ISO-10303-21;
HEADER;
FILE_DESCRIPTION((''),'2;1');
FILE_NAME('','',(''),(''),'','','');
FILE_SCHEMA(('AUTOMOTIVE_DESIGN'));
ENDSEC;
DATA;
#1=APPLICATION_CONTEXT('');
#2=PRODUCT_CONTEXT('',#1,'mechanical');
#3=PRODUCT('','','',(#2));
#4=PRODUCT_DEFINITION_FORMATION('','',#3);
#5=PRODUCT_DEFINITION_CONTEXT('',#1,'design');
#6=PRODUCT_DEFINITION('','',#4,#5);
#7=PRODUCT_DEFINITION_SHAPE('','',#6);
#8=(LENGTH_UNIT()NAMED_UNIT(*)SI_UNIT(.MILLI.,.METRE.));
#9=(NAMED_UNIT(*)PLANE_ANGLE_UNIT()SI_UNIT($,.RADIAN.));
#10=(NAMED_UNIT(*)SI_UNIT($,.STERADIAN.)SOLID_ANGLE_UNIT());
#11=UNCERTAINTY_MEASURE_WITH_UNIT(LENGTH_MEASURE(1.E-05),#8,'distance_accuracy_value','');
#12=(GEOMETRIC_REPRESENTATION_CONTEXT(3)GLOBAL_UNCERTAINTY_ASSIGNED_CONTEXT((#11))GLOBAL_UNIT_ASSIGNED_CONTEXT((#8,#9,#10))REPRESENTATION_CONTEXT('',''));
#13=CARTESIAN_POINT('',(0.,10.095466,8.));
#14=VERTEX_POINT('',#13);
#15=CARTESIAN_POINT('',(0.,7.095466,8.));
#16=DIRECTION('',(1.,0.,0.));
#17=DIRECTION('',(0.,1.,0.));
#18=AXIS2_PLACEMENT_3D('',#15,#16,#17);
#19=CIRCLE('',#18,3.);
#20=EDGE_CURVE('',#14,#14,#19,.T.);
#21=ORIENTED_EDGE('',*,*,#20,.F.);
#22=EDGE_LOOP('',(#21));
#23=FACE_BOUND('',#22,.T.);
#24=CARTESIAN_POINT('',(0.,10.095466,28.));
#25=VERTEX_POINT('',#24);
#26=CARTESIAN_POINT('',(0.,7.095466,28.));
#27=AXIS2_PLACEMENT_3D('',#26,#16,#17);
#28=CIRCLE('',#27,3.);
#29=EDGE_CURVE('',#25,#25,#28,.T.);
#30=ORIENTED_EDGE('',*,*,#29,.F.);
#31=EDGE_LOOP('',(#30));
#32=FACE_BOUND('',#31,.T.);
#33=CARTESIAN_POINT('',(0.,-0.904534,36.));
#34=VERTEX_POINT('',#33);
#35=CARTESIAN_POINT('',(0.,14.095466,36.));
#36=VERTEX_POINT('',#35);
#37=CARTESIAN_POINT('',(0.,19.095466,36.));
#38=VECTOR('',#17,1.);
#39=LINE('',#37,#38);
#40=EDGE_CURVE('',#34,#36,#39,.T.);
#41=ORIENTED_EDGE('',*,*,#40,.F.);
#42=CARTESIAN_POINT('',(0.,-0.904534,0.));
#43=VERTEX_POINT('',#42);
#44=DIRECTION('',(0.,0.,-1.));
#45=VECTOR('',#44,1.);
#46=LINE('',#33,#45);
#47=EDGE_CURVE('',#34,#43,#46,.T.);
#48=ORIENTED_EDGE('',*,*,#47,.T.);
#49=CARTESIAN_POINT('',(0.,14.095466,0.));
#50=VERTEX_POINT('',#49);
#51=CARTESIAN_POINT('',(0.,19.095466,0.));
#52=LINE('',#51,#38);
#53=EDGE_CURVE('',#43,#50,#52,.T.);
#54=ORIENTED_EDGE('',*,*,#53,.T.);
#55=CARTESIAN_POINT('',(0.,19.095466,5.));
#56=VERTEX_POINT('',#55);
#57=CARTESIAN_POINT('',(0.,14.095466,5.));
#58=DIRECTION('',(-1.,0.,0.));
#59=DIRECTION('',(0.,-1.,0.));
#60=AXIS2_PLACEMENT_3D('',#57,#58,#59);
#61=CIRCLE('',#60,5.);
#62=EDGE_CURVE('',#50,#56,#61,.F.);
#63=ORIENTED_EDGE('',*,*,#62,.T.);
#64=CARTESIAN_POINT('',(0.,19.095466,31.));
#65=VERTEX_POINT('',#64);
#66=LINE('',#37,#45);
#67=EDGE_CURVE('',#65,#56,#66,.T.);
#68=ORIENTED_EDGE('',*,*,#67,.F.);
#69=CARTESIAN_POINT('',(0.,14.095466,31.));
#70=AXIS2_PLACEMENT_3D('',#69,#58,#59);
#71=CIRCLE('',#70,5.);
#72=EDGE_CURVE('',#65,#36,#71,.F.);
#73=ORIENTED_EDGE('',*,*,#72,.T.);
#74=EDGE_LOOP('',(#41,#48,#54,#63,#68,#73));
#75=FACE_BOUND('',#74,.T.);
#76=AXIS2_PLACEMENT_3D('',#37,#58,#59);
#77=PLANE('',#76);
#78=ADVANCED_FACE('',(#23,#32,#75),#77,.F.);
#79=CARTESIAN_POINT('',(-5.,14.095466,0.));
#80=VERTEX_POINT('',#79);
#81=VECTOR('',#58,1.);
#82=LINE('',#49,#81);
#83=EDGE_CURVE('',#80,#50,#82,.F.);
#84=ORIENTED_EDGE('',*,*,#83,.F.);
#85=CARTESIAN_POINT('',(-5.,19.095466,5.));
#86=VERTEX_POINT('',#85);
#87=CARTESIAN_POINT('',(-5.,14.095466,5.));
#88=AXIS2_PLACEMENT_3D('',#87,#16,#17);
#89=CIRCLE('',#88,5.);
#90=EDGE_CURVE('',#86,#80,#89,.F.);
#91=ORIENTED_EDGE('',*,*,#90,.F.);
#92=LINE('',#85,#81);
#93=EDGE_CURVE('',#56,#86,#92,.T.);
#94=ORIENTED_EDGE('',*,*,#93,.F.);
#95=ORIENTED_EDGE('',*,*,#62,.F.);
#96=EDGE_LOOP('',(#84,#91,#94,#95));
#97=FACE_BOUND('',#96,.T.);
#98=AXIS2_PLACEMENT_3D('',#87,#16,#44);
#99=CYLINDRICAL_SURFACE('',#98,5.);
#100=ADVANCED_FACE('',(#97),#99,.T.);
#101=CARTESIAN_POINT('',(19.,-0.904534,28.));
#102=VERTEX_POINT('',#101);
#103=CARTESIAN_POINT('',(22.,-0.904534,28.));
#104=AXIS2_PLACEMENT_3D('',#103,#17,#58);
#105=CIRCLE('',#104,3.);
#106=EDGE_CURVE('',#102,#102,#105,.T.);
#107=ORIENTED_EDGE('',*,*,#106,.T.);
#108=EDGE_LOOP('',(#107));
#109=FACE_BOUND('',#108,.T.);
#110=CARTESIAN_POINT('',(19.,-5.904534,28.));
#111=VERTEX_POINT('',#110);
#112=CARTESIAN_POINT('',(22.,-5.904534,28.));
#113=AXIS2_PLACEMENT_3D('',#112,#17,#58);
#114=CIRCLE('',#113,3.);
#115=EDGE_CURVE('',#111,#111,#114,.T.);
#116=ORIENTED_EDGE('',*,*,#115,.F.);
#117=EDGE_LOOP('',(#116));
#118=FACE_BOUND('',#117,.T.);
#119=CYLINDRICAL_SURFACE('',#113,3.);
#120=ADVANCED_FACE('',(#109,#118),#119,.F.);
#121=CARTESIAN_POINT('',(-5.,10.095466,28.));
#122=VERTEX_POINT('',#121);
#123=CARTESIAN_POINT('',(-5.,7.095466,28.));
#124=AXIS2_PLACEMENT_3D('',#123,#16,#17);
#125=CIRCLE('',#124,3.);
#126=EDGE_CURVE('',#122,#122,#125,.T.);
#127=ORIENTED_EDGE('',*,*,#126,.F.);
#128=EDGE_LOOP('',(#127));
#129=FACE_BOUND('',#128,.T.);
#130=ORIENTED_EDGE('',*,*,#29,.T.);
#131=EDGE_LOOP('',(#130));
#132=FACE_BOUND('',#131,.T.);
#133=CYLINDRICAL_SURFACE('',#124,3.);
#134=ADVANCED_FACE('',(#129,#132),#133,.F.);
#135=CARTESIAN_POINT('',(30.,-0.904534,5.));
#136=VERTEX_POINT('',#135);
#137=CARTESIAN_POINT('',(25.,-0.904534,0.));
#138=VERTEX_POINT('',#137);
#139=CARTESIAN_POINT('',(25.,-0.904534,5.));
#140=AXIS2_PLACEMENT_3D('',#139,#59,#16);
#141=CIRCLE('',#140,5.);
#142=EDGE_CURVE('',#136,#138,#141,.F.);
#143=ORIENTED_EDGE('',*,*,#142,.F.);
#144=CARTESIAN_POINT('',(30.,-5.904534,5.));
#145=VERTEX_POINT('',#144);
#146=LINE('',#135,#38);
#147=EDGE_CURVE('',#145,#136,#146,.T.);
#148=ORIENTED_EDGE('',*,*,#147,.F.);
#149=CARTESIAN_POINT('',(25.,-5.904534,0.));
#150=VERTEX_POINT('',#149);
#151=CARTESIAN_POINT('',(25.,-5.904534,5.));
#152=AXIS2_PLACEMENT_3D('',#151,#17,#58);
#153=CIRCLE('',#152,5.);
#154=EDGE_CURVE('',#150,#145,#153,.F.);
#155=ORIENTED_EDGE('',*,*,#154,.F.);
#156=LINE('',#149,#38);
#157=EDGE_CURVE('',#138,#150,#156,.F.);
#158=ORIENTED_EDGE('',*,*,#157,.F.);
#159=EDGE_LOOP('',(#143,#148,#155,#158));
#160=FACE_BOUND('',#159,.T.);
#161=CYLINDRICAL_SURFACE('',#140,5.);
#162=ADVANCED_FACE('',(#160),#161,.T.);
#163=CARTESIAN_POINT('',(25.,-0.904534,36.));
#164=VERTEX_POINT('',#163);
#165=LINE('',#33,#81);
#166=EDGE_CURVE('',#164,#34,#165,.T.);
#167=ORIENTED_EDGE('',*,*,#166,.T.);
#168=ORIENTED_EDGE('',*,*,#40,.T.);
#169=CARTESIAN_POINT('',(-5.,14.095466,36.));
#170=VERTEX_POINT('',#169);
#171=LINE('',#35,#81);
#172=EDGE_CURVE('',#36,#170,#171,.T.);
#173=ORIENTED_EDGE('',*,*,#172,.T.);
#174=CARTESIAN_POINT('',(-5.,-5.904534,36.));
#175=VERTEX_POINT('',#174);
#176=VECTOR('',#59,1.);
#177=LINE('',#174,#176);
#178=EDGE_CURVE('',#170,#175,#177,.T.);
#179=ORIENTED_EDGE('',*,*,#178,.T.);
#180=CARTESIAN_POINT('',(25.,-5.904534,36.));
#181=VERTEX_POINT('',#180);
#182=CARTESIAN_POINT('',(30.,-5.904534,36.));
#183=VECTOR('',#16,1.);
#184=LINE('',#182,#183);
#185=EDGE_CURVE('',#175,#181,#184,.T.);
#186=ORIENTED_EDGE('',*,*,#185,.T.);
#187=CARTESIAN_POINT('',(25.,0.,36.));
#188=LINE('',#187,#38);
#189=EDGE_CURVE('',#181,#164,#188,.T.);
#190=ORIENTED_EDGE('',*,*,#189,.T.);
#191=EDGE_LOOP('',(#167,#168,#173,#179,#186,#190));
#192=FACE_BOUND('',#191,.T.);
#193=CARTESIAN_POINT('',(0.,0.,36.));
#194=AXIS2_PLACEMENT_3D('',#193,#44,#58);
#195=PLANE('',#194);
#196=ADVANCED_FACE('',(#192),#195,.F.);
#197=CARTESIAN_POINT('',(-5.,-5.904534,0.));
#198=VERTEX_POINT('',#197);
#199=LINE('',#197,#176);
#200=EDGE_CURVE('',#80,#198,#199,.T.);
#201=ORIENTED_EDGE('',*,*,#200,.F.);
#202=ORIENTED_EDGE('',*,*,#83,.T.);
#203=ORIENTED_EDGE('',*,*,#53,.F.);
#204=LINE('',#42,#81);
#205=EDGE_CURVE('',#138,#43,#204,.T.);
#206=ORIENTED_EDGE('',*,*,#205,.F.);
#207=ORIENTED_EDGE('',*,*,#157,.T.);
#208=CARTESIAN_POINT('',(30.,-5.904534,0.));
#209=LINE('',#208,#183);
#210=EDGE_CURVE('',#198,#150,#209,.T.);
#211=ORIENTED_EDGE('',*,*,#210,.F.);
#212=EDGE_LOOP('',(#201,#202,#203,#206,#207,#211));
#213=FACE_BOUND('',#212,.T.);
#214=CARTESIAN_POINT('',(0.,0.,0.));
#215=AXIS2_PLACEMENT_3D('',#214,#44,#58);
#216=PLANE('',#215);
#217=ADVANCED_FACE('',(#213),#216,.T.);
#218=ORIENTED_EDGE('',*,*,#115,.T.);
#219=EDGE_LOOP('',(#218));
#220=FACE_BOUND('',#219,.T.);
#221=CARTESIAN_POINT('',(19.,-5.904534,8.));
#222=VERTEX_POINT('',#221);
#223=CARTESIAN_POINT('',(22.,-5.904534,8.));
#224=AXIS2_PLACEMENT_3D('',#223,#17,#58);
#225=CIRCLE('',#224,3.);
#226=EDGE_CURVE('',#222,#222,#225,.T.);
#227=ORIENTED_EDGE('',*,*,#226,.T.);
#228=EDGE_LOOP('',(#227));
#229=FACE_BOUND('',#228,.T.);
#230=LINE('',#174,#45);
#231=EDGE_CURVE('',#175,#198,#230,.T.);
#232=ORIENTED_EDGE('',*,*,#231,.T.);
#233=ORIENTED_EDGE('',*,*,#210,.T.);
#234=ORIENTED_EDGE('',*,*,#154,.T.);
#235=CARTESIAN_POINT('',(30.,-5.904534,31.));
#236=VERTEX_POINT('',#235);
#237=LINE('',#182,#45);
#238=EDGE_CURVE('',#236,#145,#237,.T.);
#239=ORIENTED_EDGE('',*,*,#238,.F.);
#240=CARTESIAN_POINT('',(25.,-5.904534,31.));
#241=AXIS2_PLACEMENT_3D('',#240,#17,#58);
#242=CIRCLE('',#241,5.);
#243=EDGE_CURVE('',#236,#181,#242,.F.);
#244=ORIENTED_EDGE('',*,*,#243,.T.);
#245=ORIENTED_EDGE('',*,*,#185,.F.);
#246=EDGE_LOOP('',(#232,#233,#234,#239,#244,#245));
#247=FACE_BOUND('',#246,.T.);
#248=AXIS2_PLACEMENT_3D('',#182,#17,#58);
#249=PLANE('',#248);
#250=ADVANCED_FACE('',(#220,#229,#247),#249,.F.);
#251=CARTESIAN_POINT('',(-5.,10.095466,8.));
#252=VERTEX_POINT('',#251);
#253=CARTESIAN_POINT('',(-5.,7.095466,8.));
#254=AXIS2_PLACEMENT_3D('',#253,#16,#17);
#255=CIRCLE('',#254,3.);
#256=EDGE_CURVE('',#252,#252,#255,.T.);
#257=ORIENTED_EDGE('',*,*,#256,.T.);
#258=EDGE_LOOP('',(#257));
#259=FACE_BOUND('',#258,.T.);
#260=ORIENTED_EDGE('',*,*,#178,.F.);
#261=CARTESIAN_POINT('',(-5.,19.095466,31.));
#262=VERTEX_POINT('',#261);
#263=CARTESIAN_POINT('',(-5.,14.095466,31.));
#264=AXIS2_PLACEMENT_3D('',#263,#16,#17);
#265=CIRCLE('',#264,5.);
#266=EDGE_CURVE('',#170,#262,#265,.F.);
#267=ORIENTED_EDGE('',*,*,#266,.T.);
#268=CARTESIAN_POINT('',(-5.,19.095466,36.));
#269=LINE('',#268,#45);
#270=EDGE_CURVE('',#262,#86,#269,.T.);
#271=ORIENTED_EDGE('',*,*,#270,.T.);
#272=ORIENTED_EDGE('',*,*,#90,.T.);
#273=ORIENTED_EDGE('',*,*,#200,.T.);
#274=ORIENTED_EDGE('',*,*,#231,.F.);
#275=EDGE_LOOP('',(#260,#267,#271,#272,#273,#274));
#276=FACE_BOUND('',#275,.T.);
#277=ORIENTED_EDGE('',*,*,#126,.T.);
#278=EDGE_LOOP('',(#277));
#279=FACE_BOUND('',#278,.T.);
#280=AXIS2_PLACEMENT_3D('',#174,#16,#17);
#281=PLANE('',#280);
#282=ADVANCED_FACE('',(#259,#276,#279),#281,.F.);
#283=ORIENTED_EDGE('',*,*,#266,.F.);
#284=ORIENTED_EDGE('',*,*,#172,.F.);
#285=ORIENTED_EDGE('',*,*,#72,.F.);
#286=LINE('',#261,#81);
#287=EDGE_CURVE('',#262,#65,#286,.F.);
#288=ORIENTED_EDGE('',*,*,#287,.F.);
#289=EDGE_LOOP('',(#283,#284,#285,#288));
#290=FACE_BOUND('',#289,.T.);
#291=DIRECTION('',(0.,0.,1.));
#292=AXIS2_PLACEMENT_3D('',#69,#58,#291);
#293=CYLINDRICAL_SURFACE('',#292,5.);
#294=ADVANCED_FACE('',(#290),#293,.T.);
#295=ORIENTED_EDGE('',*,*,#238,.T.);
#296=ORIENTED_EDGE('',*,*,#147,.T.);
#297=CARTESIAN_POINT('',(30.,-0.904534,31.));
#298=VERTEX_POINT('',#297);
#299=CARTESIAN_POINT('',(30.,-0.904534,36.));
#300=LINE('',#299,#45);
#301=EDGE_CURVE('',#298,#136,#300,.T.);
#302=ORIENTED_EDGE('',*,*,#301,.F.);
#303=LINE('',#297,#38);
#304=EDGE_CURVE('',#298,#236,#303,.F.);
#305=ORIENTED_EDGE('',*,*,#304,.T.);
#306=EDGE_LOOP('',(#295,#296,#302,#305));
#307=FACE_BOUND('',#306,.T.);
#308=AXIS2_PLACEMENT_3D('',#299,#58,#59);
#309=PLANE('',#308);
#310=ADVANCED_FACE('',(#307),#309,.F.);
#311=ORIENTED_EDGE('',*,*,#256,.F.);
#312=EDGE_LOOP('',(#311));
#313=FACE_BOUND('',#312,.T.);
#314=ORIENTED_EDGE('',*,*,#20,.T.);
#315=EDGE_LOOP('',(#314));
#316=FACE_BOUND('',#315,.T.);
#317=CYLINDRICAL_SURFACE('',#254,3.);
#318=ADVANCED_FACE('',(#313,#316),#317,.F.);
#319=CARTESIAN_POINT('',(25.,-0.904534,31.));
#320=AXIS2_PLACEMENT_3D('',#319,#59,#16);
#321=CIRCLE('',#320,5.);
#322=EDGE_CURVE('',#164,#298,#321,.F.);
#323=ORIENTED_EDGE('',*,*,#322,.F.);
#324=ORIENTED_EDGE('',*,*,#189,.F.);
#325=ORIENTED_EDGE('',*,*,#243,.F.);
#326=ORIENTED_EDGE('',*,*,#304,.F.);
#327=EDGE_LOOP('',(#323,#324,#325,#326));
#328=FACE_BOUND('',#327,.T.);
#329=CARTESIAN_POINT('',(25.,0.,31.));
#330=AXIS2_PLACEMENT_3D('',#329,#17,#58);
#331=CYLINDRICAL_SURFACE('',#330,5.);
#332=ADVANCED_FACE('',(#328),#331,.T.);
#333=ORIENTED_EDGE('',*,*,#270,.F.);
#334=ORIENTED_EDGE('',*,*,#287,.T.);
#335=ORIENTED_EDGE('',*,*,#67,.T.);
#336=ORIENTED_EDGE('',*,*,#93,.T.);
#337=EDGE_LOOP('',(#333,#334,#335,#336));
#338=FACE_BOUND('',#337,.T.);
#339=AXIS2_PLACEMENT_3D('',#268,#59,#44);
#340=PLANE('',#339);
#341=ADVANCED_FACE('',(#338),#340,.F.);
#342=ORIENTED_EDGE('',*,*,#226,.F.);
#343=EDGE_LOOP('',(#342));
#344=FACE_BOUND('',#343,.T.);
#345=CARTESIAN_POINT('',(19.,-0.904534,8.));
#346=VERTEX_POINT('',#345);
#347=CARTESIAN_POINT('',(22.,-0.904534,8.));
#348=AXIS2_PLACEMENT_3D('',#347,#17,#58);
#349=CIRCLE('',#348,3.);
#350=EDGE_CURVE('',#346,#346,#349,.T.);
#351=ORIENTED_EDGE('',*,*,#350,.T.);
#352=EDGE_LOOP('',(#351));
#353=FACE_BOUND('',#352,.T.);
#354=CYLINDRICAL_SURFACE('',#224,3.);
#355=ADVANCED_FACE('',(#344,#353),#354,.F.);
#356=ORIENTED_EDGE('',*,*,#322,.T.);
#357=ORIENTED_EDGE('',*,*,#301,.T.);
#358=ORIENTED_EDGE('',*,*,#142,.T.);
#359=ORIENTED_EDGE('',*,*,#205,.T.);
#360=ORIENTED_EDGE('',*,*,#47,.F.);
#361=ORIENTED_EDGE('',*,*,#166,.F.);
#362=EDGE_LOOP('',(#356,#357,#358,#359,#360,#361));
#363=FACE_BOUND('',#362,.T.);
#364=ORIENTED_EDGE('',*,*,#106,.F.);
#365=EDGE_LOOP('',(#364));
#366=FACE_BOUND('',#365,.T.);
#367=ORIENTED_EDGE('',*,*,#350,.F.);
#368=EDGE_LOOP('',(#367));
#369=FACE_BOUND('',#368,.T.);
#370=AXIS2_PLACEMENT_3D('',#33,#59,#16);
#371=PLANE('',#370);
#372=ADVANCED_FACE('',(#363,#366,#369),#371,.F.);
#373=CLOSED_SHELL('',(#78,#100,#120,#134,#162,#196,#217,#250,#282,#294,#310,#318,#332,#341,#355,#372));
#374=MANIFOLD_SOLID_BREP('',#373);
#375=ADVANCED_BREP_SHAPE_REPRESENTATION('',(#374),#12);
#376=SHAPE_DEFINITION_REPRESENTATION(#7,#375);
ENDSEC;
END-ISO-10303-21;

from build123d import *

# Parameters (mm, degrees)
BOSS_EXTRUDE1_DEPTH = 36
SKETCH2_R           = 3
CUT_EXTRUDE1_DEPTH  = 5
SKETCH3_R           = 3
CUT_EXTRUDE2_DEPTH  = 5
FILLET1_R           = 5


with BuildPart() as part:
    # Sketch1 → Boss-Extrude1 (new body)
    with BuildSketch(Plane.XY):
        Polygon((0, 19.095465902), (0, -0.904534098), (30, -0.904534098), (30, -5.904534098), (-5, -5.904534098), (-5, 19.095465902), align=None)
    extrude(amount=BOSS_EXTRUDE1_DEPTH)

    # Sketch2 → Cut-Extrude1 (cut)
    with BuildSketch(Plane(origin=(0, -0.904534098, 0), x_dir=(1, 0, 0), z_dir=(0, 1, 0))):
        with Locations(Location((22, -8, 0), (0, 0, 180))):
            Circle(SKETCH2_R)
        with Locations(Location((22, -28, 0), (0, 0, 180))):
            Circle(SKETCH2_R)
    extrude(amount=-CUT_EXTRUDE1_DEPTH, mode=Mode.SUBTRACT)

    # Sketch3 → Cut-Extrude2 (cut)
    with BuildSketch(Plane(origin=(0, 0, 0), x_dir=(0, 0, -1), z_dir=(1, 0, 0))):
        with Locations(Location((-28, 7.095465902, 0), (0, 0, 90))):
            Circle(SKETCH3_R)
        with Locations(Location((-8, 7.095465902, 0), (0, 0, 90))):
            Circle(SKETCH3_R)
    extrude(amount=-CUT_EXTRUDE2_DEPTH, mode=Mode.SUBTRACT)

    # Fillet1
    fillet1_edges = [part.edges().sort_by_distance(p)[0] for p in [
        (30, -3.404534098, 36),
        (-2.5, 19.095465902, 36),
        (30, -3.404534098, 0),
        (-2.5, 19.095465902, 0),
    ]]
    fillet(fillet1_edges, radius=FILLET1_R)


solid = part.part
